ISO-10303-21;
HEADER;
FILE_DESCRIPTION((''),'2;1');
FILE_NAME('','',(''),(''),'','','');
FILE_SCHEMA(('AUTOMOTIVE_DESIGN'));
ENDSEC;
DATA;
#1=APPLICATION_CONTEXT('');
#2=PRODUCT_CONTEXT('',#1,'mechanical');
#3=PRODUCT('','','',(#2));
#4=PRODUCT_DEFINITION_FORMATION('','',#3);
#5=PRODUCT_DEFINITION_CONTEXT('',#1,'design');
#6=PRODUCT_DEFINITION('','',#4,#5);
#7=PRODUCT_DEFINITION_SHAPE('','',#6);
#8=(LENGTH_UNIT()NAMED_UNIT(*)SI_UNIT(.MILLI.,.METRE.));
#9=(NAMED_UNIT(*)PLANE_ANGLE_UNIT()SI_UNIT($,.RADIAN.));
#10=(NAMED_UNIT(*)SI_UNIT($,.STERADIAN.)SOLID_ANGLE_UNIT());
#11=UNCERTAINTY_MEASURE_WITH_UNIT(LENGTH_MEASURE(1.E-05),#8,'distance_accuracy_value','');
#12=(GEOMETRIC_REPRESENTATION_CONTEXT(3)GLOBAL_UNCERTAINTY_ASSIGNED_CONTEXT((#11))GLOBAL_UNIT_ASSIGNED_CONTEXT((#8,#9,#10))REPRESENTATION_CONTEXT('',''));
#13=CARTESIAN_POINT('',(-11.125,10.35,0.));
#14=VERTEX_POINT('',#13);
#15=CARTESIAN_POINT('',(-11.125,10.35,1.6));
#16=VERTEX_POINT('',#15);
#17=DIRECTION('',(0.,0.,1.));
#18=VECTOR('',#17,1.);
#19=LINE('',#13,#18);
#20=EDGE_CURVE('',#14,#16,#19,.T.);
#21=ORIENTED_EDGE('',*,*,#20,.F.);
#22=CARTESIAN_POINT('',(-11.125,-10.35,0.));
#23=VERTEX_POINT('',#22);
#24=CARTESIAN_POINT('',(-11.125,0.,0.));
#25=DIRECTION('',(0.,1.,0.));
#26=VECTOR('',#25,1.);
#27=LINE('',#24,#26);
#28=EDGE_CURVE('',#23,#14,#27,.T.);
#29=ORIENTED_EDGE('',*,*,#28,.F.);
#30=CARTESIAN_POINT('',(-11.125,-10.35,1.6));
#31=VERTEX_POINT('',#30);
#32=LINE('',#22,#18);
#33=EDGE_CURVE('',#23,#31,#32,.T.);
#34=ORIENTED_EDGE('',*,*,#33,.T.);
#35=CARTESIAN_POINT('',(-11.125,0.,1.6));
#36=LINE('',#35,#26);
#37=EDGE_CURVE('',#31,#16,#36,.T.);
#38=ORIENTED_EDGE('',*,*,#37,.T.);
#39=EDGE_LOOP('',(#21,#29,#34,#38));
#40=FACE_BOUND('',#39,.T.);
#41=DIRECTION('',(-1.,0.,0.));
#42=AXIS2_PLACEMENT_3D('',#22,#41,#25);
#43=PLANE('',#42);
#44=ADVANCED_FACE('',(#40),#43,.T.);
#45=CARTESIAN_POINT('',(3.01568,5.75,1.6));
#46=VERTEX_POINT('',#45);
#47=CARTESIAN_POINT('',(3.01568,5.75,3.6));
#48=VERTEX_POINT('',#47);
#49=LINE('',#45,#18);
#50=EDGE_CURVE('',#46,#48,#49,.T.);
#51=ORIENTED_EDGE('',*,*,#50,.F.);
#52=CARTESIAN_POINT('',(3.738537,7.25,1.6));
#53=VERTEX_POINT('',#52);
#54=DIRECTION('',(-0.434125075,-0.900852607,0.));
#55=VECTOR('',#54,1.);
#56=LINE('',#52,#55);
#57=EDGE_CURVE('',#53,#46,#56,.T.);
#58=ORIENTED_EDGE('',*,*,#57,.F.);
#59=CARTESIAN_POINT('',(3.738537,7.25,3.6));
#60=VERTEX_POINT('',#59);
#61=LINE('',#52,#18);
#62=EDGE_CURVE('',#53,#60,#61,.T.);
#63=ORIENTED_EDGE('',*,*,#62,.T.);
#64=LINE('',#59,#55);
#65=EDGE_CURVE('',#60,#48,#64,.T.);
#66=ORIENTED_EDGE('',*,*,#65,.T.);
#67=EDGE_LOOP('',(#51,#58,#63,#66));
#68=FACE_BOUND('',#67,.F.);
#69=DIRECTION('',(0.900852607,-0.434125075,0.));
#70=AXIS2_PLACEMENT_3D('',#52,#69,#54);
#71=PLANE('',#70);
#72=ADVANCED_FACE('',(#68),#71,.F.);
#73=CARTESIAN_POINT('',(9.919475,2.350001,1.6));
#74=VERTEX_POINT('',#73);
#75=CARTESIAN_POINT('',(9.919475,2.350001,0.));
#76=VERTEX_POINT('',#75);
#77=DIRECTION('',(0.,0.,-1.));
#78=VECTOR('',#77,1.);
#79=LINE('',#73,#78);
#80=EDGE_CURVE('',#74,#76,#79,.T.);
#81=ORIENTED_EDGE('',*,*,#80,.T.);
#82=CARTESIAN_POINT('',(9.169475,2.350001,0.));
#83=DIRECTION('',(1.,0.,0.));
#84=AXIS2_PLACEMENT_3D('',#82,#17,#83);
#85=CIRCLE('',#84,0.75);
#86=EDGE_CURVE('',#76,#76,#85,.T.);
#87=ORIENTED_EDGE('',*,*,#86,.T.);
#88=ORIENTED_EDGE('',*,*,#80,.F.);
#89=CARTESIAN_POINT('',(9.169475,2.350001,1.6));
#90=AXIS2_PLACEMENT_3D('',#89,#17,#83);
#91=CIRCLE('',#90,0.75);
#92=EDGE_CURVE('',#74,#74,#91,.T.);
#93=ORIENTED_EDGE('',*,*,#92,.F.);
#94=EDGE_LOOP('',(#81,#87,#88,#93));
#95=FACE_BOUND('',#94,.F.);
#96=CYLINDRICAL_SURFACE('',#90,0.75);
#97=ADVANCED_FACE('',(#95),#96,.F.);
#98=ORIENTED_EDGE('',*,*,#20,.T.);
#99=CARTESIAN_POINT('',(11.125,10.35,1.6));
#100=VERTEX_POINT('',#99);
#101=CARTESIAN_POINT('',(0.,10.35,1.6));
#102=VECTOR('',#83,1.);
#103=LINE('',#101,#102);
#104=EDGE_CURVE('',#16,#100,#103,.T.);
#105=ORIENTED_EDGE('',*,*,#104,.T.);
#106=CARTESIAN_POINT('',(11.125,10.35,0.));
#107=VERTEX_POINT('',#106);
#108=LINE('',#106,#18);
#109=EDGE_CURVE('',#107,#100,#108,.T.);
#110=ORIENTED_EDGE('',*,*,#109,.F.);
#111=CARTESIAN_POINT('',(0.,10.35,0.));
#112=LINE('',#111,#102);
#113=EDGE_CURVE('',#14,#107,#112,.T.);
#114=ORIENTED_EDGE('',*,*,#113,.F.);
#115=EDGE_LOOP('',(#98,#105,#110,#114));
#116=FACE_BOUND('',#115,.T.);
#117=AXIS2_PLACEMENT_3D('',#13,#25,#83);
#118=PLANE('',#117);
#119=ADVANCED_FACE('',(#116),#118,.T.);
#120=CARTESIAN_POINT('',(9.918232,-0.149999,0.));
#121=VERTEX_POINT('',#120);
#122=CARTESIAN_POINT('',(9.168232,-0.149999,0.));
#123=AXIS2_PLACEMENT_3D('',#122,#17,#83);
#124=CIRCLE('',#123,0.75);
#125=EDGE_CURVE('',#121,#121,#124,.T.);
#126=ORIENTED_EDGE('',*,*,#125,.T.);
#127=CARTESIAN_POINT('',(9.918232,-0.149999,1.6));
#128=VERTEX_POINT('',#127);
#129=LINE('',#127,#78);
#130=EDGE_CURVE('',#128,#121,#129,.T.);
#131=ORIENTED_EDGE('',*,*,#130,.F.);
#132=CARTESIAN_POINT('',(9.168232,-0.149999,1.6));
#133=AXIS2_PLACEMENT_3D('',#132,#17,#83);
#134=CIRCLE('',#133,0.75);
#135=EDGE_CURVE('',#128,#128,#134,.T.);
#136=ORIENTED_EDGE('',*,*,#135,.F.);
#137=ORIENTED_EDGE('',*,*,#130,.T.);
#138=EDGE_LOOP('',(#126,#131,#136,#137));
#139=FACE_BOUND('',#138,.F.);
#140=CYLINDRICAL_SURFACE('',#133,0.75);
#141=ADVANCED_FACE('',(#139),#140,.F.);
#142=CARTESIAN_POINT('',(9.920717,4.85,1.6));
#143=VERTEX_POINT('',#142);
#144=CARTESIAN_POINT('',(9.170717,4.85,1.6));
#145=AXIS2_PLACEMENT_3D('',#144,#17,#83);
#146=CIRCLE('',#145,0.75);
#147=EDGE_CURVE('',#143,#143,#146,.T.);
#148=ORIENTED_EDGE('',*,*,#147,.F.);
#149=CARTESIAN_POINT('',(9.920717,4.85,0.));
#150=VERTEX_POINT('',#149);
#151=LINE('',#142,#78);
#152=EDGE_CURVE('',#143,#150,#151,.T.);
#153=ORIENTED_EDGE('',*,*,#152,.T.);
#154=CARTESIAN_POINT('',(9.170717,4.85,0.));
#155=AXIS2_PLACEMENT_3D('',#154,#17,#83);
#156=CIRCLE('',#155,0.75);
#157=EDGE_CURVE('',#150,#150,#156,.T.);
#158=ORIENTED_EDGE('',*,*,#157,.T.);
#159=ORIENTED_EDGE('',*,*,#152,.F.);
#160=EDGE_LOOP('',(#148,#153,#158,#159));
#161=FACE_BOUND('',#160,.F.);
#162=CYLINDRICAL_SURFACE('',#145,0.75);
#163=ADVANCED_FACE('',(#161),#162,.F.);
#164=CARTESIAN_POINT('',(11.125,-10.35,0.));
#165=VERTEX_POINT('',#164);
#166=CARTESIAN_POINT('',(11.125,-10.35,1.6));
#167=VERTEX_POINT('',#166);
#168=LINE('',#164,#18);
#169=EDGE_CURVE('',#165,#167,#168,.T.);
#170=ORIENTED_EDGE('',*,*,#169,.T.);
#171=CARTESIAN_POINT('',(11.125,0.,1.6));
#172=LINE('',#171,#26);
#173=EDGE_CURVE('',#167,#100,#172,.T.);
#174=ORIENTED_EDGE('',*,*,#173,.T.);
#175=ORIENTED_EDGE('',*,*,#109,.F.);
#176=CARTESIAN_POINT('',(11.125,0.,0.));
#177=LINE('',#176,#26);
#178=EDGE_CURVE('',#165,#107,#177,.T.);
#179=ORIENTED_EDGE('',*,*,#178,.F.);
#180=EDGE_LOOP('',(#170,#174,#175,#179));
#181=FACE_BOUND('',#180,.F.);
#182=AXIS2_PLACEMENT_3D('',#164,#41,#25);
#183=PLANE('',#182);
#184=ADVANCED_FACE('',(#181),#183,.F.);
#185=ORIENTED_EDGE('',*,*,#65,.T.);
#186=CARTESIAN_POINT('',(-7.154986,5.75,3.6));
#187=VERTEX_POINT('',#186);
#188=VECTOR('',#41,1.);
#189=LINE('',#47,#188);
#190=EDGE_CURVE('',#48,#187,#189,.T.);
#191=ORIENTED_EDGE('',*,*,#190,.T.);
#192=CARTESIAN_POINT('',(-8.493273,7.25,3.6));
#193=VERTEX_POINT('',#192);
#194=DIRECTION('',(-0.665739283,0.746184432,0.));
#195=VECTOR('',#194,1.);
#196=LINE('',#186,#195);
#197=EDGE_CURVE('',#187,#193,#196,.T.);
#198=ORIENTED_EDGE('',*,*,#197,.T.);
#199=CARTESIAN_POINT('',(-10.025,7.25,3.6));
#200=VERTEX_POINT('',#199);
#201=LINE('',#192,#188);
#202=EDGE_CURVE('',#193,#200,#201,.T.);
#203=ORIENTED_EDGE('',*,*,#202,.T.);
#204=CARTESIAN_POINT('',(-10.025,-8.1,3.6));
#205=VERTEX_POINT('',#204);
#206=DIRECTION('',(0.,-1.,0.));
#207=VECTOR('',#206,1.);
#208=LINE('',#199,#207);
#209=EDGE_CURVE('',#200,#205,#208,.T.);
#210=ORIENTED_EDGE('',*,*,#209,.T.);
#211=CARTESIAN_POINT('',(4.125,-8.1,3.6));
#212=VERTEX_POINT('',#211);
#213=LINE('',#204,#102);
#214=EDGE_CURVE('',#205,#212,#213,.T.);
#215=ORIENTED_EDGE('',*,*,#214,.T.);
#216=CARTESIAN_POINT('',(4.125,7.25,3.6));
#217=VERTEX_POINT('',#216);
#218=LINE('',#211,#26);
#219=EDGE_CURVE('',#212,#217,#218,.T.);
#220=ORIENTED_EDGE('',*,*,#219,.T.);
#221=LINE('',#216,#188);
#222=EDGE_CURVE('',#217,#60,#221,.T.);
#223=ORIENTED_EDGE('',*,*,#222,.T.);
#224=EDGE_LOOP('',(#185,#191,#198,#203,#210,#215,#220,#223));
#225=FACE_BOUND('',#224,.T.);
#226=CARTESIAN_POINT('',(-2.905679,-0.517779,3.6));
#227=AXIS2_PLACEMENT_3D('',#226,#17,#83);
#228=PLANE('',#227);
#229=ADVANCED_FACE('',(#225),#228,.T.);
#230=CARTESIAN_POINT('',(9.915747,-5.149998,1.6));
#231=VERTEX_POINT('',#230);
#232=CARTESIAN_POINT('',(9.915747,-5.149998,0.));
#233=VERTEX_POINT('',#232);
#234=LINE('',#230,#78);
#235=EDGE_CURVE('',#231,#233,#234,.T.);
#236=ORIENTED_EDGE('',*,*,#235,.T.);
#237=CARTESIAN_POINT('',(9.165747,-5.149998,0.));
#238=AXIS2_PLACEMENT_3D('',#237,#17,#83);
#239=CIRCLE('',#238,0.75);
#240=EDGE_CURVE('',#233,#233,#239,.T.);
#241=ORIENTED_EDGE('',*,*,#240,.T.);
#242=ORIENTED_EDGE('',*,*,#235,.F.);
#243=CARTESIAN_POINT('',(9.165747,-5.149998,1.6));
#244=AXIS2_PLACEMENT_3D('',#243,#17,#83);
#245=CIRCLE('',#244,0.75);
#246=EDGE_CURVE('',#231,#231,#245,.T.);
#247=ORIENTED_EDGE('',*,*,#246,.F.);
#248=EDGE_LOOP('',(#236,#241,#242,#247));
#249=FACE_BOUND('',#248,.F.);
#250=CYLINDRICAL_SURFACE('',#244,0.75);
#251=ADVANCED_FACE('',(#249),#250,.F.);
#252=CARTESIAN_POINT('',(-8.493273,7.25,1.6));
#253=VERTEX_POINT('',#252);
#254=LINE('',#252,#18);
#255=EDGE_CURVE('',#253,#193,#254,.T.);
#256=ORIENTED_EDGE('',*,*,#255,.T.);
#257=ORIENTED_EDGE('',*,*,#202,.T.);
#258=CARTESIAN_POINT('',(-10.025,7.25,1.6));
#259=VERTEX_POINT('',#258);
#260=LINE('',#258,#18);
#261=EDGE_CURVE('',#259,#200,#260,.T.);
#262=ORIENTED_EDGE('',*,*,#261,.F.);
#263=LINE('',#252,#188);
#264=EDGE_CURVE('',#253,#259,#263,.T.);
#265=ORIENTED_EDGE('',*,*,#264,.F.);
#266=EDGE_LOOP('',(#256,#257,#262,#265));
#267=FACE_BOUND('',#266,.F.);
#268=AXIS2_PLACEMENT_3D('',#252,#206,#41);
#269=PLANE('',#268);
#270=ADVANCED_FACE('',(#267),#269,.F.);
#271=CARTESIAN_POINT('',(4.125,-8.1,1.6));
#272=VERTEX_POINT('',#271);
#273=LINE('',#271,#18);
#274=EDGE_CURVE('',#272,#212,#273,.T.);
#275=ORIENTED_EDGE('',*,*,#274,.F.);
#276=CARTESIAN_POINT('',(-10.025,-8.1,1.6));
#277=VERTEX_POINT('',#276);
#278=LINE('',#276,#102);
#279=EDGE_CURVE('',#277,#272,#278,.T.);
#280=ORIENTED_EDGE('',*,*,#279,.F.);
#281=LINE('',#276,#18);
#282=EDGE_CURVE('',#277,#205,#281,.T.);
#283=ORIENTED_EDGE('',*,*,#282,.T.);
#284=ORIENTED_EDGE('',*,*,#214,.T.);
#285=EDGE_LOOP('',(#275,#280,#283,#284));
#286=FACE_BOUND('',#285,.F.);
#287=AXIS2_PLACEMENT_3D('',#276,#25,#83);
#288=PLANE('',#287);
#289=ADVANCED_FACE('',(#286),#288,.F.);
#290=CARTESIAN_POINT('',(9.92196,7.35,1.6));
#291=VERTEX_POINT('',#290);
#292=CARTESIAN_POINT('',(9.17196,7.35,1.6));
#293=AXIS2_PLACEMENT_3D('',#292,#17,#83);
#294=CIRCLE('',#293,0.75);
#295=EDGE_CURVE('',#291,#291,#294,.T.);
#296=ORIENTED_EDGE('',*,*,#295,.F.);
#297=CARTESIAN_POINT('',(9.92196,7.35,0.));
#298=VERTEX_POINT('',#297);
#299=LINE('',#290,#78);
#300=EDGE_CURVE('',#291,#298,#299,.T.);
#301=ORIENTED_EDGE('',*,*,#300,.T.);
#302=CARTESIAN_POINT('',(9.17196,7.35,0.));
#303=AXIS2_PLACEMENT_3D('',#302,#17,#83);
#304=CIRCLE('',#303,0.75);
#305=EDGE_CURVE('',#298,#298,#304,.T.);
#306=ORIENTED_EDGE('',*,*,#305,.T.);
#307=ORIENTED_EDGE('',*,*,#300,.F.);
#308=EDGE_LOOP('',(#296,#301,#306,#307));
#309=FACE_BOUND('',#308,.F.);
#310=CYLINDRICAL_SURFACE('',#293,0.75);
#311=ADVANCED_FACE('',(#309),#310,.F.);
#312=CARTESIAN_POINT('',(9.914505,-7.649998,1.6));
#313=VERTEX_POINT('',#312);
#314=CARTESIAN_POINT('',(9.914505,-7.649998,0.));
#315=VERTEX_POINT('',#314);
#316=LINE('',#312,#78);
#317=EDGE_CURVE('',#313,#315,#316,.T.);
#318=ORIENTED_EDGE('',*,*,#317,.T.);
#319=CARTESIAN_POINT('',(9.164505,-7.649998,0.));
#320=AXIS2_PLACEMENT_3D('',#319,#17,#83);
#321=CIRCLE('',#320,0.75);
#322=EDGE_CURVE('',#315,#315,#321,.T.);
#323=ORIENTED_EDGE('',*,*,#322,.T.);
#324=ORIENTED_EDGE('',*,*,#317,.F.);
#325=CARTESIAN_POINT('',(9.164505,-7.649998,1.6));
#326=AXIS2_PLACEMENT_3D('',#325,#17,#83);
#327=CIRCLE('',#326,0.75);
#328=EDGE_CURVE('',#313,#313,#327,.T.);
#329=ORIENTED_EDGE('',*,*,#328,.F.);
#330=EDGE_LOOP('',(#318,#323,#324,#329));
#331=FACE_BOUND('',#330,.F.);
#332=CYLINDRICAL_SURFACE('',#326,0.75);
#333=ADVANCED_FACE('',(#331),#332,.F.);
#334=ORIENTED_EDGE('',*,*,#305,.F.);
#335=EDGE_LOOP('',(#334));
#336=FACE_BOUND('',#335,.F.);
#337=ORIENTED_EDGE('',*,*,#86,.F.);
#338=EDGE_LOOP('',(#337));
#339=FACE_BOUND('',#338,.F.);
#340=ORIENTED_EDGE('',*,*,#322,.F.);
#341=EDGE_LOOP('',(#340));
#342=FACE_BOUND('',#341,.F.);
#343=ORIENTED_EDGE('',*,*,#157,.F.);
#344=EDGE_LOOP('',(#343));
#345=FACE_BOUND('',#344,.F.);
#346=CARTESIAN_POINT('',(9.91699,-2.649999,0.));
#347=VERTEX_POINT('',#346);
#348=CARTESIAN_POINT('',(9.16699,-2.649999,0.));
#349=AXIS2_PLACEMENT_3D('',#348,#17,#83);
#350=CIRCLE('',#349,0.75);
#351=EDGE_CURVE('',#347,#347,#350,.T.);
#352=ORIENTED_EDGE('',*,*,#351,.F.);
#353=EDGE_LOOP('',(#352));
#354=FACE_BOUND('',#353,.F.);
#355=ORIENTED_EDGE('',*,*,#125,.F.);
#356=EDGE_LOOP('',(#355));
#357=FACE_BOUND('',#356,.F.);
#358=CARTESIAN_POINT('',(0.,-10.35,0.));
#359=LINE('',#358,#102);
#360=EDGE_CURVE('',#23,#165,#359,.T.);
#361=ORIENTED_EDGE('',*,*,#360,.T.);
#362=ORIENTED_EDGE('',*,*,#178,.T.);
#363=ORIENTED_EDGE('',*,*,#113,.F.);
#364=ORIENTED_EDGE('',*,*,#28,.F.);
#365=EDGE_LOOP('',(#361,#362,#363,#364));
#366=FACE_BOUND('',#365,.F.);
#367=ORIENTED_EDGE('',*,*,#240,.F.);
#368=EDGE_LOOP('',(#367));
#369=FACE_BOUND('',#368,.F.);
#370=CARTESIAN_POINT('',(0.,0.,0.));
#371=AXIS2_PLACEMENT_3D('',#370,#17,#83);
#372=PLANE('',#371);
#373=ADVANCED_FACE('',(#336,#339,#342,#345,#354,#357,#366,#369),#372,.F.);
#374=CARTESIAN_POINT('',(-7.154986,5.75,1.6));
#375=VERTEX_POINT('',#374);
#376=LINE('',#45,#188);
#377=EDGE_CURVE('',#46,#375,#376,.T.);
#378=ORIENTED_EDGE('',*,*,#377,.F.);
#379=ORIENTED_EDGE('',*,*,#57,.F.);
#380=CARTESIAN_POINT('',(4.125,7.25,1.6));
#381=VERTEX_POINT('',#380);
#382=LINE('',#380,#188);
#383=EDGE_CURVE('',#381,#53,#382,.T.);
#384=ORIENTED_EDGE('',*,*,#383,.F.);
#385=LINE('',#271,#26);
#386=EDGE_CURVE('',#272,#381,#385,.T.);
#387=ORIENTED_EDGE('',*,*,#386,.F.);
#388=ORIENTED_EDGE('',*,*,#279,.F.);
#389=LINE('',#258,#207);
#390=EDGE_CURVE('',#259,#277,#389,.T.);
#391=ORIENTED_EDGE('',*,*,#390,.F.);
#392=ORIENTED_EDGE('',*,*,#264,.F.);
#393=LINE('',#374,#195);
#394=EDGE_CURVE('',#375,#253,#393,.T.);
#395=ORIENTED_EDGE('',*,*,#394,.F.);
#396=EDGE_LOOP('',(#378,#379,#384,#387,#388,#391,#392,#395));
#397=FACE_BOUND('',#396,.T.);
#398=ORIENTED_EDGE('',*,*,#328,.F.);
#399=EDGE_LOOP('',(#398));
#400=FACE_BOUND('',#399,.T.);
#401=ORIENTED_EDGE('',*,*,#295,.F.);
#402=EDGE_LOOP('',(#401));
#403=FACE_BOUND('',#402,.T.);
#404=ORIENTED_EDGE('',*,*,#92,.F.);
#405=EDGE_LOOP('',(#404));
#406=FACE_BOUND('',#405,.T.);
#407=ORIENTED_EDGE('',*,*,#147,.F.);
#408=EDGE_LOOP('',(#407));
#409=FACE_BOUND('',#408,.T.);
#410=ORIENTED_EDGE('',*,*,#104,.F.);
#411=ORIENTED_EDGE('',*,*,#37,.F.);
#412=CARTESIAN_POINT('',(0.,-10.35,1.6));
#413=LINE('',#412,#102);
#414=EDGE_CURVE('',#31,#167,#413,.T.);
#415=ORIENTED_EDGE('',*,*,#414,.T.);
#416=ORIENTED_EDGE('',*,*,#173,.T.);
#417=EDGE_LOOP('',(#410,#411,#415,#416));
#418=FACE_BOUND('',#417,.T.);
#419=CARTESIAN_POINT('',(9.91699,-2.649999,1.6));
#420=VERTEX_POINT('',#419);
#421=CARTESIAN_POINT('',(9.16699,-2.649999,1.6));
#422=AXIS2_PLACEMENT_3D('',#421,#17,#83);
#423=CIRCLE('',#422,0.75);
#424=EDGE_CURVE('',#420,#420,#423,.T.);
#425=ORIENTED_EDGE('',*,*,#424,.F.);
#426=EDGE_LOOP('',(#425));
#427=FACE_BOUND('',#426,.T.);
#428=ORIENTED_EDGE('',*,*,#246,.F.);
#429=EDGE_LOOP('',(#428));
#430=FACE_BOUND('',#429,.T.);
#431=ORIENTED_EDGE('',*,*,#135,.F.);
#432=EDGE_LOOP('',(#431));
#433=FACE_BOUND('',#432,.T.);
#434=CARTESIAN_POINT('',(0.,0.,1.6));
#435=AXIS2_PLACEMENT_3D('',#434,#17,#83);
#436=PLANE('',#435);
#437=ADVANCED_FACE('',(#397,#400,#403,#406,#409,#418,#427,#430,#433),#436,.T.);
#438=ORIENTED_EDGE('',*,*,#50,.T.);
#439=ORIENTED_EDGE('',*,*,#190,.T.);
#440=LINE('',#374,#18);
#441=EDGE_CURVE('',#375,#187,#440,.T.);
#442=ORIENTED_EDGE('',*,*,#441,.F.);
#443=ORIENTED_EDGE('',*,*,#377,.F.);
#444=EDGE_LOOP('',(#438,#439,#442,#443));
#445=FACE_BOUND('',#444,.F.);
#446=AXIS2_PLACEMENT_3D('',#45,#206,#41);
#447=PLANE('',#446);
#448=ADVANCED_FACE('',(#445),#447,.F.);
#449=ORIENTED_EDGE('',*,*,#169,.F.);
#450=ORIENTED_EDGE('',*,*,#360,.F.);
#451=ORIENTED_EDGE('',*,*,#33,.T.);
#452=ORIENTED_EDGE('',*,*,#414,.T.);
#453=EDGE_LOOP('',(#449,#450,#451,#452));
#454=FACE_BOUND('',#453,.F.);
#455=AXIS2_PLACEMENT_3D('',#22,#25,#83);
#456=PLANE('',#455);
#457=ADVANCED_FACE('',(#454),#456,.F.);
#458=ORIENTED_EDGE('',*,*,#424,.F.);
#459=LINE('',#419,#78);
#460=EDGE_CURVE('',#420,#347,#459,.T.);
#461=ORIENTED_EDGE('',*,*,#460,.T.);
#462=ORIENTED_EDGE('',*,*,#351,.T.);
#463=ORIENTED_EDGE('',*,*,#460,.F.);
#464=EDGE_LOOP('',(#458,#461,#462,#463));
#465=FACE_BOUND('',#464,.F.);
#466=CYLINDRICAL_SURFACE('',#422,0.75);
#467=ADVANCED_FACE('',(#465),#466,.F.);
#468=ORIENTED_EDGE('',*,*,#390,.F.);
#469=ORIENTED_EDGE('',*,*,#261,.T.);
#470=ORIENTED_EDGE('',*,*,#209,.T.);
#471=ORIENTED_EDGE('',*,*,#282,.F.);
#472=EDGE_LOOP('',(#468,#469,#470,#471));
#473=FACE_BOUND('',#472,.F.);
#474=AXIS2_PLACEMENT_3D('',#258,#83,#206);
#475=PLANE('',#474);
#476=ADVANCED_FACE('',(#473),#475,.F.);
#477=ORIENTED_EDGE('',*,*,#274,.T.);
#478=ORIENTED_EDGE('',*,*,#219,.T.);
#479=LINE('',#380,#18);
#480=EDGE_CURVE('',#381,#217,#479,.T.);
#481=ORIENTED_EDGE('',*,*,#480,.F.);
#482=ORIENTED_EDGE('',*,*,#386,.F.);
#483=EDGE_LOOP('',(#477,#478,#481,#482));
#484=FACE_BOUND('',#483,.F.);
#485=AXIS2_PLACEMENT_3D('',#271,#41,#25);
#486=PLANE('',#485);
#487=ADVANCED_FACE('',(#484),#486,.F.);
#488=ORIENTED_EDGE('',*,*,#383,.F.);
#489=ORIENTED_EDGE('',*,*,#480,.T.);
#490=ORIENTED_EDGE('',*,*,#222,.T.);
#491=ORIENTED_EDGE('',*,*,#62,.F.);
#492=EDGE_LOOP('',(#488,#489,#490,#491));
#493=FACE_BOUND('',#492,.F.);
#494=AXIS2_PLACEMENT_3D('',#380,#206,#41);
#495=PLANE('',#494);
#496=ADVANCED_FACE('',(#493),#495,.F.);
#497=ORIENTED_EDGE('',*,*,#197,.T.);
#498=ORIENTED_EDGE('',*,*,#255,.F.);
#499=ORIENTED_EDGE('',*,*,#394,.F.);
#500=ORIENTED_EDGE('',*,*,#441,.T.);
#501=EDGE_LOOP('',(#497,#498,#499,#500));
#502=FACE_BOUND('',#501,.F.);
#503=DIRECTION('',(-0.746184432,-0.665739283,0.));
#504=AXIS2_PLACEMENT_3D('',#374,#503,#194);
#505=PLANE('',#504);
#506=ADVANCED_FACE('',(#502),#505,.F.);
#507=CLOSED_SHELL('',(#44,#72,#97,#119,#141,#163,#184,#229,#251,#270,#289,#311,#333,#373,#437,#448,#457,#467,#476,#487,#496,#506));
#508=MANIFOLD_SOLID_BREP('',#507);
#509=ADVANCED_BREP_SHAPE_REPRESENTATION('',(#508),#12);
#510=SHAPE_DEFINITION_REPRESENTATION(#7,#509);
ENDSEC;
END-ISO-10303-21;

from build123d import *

# Parameters (mm, degrees)
F0_W     = 22.25
F0_H     = 20.7
F1_DEPTH = 1.6
F3_DEPTH = 2
F4_R     = 0.75
F5_DEPTH = 25


with BuildPart() as f1:
    # F0 (on Top) → F1 (new body)
    with BuildSketch(Plane.XY):
        Rectangle(F0_W, F0_H)
    extrude(amount=F1_DEPTH)

    # F2 (on face) → F3 (join)
    with BuildSketch(Plane.XY.offset(1.6)):
        Polygon((-8.493273, 7.25), (-10.025, 7.25), (-10.025, 5.75), (-10.025, -8.1), (4.125, -8.1), (4.125, 5.75), (4.125, 7.25), (3.738537, 7.25), (3.01568, 5.75), (-7.154986, 5.75), align=None)
    extrude(amount=F3_DEPTH)

    # F4 (on face) → F5 (cut)
    with BuildSketch(Plane.XY.offset(1.6)):
        with Locations((9.17196, 7.35)):
            Circle(F4_R)
        with Locations((9.170717, 4.85)):
            Circle(F4_R)
        with Locations((9.169475, 2.350001)):
            Circle(F4_R)
        with Locations((9.168232, -0.149999)):
            Circle(F4_R)
        with Locations((9.16699, -2.649999)):
            Circle(F4_R)
        with Locations((9.165747, -5.149998)):
            Circle(F4_R)
        with Locations((9.164505, -7.649998)):
            Circle(F4_R)
    extrude(amount=-F5_DEPTH, mode=Mode.SUBTRACT)


solid = f1.part
